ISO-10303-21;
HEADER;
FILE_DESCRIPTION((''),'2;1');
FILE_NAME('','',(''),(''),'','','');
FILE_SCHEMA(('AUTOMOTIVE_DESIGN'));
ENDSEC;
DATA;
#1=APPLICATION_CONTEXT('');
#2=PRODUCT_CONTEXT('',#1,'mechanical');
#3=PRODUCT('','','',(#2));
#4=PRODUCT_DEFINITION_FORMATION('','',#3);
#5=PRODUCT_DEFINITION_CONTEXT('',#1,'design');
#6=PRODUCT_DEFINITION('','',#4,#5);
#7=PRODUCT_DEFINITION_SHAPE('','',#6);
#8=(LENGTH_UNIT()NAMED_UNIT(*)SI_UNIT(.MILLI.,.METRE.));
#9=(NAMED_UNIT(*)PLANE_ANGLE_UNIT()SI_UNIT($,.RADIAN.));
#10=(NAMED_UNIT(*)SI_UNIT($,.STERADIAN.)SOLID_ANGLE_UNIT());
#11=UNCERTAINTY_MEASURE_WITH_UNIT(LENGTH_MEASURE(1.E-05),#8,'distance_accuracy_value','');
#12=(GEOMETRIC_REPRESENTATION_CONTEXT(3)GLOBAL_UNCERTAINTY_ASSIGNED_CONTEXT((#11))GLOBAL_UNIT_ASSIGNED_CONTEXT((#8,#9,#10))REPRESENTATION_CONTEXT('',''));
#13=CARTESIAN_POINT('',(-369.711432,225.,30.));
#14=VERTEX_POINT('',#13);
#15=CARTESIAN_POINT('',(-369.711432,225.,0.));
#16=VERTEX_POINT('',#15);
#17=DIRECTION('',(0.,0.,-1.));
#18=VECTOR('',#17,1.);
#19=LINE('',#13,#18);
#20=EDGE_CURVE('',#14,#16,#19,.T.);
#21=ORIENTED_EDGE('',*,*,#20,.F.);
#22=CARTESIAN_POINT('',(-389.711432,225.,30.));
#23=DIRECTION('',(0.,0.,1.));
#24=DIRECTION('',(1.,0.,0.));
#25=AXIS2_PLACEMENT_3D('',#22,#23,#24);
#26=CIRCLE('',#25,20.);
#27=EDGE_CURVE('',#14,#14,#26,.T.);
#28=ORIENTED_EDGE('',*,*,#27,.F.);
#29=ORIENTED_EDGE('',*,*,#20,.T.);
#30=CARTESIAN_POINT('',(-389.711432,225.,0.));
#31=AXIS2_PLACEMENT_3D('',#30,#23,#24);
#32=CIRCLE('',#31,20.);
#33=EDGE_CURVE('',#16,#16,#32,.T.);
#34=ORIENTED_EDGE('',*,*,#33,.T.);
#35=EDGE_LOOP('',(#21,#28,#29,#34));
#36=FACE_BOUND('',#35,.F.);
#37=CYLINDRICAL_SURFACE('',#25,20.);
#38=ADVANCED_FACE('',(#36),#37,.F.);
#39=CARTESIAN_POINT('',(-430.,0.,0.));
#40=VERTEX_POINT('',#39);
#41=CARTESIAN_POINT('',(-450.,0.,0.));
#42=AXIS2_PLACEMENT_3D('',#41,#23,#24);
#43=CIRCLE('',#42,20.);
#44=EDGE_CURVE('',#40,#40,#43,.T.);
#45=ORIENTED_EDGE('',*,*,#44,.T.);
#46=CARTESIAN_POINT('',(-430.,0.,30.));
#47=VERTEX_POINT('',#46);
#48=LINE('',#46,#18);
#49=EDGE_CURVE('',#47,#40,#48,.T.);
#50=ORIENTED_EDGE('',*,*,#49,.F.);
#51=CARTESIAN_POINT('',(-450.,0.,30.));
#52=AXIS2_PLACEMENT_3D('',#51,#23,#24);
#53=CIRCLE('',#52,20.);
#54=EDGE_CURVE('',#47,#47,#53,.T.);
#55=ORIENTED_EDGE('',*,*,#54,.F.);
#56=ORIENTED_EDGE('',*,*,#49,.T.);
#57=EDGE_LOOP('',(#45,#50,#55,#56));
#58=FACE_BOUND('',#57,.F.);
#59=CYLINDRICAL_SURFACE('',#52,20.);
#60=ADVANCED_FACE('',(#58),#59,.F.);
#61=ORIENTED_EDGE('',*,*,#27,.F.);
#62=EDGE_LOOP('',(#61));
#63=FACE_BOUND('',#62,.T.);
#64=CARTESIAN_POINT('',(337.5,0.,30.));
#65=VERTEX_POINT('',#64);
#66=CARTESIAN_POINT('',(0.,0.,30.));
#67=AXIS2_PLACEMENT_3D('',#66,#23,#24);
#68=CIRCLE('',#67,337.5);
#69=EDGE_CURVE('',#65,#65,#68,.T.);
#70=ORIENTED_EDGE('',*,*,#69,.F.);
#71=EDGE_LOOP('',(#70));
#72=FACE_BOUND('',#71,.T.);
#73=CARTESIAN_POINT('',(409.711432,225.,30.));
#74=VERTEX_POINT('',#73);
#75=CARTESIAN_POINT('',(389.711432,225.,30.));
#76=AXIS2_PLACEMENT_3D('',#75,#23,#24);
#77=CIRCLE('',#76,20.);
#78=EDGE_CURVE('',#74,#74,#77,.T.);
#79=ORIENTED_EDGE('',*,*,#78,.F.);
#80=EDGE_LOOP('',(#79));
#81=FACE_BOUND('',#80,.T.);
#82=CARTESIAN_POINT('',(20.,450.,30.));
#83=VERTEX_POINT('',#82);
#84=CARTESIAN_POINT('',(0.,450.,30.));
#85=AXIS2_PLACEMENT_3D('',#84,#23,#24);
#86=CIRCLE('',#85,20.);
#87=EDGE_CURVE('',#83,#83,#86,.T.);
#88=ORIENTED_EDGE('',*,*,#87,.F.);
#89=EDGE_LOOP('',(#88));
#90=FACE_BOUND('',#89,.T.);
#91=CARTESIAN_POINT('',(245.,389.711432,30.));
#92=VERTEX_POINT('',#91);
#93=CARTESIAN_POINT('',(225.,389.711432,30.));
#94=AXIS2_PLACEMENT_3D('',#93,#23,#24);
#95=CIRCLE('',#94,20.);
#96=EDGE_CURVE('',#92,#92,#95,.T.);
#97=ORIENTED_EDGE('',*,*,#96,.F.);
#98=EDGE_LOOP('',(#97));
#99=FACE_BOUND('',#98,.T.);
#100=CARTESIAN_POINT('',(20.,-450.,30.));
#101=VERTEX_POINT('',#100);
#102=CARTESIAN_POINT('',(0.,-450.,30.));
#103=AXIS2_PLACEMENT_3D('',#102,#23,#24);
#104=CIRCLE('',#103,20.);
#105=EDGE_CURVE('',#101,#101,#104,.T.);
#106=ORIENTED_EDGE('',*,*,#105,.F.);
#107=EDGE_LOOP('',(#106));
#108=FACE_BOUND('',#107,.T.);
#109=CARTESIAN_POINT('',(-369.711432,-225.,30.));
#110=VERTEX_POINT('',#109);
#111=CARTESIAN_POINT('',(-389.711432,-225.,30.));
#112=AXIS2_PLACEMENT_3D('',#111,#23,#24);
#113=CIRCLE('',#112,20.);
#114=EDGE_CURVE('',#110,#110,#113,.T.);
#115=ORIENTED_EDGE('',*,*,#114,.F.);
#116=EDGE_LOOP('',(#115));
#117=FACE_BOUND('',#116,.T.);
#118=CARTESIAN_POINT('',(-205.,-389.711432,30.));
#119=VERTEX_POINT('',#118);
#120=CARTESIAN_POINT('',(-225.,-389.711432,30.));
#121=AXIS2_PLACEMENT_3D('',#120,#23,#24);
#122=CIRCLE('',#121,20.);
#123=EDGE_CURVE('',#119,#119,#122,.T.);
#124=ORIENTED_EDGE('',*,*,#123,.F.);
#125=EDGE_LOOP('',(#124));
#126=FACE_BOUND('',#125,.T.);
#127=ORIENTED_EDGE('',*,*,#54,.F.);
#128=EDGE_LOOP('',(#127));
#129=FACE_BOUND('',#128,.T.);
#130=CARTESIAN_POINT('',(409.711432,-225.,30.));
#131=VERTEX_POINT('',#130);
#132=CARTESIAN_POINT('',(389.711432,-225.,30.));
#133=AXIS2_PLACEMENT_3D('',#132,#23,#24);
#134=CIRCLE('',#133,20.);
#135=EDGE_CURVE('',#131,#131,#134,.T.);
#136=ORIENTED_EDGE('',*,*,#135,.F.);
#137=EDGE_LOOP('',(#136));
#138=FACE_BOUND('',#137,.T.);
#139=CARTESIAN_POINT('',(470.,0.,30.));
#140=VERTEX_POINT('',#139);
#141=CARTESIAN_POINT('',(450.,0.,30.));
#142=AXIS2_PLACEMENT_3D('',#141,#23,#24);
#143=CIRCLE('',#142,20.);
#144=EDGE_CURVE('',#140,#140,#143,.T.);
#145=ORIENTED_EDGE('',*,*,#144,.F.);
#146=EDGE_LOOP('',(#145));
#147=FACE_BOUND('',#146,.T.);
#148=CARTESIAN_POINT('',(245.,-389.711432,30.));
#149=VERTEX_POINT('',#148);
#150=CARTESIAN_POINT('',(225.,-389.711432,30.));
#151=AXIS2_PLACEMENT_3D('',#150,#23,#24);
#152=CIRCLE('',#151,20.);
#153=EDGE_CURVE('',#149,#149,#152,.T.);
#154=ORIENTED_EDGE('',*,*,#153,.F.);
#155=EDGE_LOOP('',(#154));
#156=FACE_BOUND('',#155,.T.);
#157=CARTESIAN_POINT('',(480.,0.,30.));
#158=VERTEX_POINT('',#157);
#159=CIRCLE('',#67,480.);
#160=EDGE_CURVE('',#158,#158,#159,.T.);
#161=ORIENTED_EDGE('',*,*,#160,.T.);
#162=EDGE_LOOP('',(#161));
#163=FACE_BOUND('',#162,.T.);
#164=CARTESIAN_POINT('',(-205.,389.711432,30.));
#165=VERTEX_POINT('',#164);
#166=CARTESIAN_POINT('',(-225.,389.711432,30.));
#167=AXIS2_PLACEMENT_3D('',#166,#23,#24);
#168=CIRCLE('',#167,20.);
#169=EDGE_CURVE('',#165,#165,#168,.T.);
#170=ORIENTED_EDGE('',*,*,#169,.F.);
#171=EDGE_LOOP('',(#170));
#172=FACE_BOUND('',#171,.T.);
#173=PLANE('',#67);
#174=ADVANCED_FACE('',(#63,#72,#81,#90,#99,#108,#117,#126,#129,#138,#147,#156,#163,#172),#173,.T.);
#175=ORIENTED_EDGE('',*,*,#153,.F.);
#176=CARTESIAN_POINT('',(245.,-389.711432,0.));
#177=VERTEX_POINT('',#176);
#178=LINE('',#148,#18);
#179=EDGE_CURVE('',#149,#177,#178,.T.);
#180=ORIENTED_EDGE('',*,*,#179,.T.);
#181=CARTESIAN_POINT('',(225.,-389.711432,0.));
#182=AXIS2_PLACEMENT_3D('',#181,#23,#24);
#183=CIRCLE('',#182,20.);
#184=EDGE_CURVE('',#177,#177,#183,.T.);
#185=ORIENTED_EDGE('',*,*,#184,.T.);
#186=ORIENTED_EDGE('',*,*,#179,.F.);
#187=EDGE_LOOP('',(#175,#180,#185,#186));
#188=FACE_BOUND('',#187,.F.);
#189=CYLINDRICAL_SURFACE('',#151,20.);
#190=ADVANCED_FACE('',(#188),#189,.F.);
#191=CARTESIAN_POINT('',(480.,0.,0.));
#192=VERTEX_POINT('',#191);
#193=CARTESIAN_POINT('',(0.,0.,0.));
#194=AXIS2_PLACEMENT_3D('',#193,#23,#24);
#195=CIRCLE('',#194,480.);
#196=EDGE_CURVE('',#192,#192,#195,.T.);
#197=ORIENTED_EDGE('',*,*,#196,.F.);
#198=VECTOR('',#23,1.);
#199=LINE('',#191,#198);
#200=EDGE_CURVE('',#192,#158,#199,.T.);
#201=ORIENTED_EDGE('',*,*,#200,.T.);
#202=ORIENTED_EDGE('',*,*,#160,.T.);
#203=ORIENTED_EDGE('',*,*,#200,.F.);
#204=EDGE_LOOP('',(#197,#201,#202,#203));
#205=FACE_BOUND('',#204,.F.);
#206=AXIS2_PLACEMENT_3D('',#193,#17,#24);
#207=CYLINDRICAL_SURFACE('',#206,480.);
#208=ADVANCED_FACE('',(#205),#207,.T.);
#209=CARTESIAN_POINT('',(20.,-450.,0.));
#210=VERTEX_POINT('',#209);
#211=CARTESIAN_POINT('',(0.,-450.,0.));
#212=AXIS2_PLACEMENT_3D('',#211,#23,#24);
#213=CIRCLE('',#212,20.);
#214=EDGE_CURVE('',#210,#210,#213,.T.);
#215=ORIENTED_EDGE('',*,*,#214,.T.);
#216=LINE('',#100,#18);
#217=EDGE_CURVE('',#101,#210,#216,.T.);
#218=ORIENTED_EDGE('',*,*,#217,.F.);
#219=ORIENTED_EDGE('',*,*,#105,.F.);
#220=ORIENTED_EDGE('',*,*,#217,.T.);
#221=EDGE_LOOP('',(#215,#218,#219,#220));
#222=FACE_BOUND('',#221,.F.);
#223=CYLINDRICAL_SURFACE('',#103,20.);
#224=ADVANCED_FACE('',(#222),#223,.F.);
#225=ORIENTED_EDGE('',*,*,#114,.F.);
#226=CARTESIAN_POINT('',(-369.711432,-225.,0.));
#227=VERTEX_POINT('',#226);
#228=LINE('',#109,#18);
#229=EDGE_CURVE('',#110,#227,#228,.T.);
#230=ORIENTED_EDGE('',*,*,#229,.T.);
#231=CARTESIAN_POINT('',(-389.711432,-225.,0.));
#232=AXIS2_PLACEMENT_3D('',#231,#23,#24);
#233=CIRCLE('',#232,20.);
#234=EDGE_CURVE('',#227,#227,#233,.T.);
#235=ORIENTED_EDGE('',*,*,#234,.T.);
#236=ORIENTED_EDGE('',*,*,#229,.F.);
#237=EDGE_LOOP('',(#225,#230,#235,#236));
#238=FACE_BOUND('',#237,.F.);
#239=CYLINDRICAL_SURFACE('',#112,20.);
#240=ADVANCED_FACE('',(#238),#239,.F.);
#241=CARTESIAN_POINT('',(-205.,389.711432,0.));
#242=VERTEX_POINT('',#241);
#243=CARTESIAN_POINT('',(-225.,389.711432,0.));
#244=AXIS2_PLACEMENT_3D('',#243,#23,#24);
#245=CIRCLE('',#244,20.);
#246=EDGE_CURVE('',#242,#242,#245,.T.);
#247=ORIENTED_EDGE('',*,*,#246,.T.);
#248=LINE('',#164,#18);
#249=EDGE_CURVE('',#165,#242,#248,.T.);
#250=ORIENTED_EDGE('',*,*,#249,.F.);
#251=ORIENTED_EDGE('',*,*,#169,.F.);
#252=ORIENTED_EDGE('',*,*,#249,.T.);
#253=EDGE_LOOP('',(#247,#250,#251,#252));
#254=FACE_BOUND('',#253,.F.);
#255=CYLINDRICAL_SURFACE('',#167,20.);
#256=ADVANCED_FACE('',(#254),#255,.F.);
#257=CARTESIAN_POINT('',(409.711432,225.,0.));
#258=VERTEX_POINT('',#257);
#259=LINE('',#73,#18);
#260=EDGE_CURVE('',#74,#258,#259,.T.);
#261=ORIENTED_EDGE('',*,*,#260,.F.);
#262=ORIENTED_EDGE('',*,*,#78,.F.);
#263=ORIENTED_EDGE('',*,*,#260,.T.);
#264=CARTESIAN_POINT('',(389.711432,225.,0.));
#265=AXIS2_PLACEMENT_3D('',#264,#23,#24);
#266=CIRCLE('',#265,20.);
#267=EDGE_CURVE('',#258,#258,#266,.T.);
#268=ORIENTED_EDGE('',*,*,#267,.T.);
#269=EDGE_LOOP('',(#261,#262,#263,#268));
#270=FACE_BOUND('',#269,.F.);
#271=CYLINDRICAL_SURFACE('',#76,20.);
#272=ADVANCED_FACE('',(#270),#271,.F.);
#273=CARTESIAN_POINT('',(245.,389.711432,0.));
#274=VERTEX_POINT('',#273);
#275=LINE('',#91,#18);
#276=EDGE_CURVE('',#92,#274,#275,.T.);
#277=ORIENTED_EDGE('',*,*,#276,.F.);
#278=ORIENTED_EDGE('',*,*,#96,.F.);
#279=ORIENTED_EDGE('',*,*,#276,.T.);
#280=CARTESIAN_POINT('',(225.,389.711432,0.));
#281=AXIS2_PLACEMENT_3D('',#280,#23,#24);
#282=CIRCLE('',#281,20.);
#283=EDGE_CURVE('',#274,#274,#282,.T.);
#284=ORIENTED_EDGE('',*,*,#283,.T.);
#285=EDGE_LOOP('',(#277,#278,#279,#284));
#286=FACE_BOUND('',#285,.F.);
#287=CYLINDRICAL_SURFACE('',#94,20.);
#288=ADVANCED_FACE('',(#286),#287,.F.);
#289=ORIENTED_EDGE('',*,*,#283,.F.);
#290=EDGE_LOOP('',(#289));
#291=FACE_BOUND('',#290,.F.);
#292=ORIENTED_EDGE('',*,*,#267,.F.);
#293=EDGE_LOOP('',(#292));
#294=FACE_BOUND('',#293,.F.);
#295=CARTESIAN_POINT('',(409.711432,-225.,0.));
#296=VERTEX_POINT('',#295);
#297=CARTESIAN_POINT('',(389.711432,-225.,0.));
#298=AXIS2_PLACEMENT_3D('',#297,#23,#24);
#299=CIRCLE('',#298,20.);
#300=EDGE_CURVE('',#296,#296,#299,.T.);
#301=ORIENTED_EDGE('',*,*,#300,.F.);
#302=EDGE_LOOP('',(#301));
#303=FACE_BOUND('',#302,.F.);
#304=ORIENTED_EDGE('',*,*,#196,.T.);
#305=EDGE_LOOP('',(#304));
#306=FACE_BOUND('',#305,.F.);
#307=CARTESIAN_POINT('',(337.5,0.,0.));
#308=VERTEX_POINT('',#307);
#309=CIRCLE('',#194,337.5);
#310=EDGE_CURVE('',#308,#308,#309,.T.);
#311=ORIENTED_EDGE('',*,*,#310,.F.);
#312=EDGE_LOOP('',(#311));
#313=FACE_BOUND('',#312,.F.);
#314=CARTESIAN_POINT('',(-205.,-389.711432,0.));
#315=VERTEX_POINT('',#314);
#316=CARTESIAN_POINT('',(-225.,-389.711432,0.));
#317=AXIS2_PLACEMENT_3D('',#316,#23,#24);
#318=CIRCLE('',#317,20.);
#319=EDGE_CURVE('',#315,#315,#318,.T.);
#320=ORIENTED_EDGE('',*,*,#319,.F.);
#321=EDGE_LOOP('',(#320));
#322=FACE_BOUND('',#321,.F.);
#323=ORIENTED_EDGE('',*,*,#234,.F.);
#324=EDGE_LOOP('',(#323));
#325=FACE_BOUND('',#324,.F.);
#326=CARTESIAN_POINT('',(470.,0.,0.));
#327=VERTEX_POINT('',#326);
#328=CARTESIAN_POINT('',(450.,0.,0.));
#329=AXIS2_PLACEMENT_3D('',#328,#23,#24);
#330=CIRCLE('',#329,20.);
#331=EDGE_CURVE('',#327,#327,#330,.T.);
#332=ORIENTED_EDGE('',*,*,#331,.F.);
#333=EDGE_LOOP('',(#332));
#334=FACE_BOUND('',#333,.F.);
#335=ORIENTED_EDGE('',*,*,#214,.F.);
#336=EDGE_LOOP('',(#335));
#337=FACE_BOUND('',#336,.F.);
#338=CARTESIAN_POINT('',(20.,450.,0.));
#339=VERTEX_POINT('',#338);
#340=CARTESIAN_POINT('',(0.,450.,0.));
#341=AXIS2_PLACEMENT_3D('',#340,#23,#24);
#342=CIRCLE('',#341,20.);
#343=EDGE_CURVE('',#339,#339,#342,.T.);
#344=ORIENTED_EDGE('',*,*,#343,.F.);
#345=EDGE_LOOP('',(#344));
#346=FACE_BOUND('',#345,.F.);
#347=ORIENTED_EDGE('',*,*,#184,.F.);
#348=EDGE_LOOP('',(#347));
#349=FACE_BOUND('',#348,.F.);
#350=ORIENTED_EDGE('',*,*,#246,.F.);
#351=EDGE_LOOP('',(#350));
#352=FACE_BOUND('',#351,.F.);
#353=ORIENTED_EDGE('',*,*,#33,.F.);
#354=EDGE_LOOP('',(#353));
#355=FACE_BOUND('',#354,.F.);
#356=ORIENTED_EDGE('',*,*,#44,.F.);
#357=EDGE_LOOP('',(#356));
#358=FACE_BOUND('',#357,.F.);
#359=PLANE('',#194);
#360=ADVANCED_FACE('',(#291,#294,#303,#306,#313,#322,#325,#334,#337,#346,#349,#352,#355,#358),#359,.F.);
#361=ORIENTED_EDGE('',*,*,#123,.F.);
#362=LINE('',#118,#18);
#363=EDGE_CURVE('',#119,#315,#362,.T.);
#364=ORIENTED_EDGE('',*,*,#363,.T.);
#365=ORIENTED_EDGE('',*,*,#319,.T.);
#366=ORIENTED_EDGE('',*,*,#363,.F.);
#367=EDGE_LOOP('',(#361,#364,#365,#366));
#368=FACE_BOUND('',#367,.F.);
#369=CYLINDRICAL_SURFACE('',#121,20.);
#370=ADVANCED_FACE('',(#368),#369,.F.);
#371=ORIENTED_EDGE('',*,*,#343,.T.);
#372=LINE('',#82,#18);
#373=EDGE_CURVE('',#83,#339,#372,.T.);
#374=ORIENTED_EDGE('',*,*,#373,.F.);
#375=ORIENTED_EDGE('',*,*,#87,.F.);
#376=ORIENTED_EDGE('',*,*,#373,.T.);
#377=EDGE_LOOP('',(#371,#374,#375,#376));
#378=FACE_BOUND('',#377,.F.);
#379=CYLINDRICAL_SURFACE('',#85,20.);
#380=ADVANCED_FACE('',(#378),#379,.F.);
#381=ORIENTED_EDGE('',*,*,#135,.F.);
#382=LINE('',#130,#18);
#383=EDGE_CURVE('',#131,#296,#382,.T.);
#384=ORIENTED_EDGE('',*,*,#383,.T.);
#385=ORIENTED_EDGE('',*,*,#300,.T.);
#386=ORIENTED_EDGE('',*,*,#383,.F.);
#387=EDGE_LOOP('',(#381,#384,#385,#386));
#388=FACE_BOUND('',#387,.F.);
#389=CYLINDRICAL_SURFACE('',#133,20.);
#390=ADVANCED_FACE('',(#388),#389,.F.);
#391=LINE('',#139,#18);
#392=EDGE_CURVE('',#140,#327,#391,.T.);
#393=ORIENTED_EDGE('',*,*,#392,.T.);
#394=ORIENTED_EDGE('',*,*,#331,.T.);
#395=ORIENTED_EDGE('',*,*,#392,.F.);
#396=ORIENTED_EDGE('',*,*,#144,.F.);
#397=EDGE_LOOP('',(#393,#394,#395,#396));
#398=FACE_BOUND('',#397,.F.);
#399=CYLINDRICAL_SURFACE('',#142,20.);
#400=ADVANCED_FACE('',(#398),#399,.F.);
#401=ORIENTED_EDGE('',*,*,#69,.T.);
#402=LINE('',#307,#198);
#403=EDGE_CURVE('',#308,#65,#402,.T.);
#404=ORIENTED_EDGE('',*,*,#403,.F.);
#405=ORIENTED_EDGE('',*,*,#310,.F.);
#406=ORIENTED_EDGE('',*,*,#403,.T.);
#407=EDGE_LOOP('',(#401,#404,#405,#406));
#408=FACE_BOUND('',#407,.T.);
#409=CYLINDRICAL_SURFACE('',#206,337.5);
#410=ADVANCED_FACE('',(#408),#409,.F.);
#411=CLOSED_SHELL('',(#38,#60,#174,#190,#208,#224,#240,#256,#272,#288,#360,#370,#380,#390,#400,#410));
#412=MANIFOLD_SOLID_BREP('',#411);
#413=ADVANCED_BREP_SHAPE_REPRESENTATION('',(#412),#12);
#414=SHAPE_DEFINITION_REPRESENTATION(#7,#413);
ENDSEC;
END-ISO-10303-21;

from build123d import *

# Parameters (mm, degrees)
F0_R     = 480
F0_R_2   = 337.5
F1_DEPTH = 30
F2_R     = 20
F3_DEPTH = 30.001


with BuildPart() as f1:
    # F0 (on Top) → F1 (new body)
    with BuildSketch(Plane.XY):
        Circle(F0_R)
        Circle(F0_R_2, mode=Mode.SUBTRACT)
    extrude(amount=F1_DEPTH)

    # F2 (on face) → F3 (cut, through all)
    with BuildSketch(Plane.XY.offset(30)):
        with Locations((-389.711432, 225)):
            Circle(F2_R)
        with Locations((-450, 0)):
            Circle(F2_R)
        with Locations((-389.711432, -225)):
            Circle(F2_R)
        with Locations((-225, -389.711432)):
            Circle(F2_R)
        with Locations((0, -450)):
            Circle(F2_R)
        with Locations((225, -389.711432)):
            Circle(F2_R)
        with Locations((389.711432, -225)):
            Circle(F2_R)
        with Locations((450, 0)):
            Circle(F2_R)
        with Locations((389.711432, 225)):
            Circle(F2_R)
        with Locations((225, 389.711432)):
            Circle(F2_R)
        with Locations((0, 450)):
            Circle(F2_R)
        with Locations((-225, 389.711432)):
            Circle(F2_R)
    extrude(amount=-F3_DEPTH, mode=Mode.SUBTRACT)


solid = f1.part
